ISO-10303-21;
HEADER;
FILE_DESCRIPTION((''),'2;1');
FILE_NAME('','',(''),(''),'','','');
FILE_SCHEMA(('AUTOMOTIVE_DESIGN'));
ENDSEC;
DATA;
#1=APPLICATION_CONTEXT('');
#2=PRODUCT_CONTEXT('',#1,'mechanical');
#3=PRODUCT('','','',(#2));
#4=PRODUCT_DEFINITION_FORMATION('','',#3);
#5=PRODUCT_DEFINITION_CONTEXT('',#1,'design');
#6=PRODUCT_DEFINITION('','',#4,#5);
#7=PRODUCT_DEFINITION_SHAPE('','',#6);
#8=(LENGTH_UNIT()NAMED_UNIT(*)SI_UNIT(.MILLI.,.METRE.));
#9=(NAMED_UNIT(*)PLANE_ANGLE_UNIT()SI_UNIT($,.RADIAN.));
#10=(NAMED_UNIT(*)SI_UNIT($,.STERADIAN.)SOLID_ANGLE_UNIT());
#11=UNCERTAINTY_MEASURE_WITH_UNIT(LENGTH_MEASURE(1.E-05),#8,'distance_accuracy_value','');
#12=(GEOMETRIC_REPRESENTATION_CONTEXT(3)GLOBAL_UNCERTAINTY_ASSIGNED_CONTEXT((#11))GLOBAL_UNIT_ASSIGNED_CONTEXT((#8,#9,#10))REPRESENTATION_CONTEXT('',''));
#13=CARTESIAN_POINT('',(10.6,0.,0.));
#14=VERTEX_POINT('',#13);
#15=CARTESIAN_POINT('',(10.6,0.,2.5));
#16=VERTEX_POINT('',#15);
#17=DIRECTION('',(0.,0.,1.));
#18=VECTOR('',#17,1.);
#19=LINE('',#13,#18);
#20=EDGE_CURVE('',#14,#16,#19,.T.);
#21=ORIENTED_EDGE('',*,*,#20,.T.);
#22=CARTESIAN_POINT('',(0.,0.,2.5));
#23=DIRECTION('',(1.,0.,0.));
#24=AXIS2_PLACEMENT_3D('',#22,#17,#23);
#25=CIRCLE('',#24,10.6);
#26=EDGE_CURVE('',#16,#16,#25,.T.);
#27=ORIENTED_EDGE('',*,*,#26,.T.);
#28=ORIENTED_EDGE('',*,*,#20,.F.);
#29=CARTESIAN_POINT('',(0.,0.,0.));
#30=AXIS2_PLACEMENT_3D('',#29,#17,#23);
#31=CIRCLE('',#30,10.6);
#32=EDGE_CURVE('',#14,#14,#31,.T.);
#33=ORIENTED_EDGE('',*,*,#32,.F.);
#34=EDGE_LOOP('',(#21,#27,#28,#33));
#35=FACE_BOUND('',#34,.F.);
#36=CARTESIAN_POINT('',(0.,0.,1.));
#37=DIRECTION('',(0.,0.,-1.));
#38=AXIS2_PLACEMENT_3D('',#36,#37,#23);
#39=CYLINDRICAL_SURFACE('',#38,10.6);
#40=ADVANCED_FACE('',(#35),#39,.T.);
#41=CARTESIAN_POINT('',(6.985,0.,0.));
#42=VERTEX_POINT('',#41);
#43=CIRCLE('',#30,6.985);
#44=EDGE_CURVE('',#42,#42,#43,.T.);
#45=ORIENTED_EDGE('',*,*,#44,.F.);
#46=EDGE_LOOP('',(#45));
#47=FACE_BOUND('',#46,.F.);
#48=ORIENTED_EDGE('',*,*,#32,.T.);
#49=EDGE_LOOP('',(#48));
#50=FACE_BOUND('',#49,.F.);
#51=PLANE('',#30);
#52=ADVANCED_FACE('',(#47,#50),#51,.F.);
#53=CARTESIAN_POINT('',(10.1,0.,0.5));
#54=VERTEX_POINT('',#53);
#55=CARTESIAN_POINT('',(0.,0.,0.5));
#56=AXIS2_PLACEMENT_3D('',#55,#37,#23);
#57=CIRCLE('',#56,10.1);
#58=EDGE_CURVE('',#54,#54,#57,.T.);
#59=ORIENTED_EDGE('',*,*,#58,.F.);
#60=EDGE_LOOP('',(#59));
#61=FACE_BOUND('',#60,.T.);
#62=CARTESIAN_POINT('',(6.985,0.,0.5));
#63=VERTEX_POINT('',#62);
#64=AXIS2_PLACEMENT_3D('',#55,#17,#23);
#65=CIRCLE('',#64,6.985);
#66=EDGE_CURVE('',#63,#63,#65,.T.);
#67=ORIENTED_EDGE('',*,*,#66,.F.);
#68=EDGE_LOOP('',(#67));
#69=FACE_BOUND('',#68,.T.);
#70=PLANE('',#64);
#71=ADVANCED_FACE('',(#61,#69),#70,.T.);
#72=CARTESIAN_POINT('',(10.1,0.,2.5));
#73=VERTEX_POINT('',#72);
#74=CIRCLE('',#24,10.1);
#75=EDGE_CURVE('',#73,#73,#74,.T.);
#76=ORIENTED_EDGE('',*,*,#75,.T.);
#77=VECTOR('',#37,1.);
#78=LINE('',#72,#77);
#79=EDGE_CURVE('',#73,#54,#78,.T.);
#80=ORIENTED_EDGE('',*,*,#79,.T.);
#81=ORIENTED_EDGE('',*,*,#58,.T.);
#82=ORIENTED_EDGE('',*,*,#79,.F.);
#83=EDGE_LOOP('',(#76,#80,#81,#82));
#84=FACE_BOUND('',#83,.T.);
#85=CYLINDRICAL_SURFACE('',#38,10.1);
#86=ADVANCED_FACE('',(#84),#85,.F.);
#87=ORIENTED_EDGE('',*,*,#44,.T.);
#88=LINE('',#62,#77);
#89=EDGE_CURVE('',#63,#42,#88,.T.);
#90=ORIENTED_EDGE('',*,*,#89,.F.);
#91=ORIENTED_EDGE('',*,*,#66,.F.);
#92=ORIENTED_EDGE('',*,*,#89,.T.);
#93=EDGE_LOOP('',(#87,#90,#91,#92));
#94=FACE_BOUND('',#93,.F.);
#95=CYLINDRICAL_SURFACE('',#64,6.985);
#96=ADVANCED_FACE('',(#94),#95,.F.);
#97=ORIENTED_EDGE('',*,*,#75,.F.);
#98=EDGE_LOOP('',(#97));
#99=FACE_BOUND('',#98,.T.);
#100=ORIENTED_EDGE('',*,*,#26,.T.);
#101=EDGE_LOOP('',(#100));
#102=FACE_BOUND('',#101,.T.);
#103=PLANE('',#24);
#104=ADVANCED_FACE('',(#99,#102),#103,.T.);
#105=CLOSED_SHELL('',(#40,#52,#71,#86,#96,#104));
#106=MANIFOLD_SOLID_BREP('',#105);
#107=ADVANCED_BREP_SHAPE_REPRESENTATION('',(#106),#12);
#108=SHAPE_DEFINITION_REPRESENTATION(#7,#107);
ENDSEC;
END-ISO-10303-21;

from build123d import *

# Parameters (mm, degrees)
F0_R     = 10.6
F1_DEPTH = 1
F2_T     = -0.5
F3_R     = 6.985
F4_DEPTH = 25
F5_R     = 10.6
F5_R_2   = 10.1
F6_DEPTH = 1.5


with BuildPart() as f1:
    # F0 (on Top) → F1 (new body)
    with BuildSketch(Plane.XY):
        Circle(F0_R)
    extrude(amount=F1_DEPTH)

    # F2
    f2_openings = [f1.faces().sort_by_distance(p)[0] for p in [
        (0, 0, 1),
    ]]
    offset(amount=F2_T, openings=f2_openings)

    # F3 (on face) → F4 (cut)
    with BuildSketch(Plane.XY.offset(0.5)):
        Circle(F3_R)
    extrude(amount=-F4_DEPTH, mode=Mode.SUBTRACT)

    # F5 (on face) → F6 (join)
    with BuildSketch(Plane.XY.offset(1)):
        Circle(F5_R)
        Circle(F5_R_2, mode=Mode.SUBTRACT)
    extrude(amount=F6_DEPTH)


solid = f1.part
